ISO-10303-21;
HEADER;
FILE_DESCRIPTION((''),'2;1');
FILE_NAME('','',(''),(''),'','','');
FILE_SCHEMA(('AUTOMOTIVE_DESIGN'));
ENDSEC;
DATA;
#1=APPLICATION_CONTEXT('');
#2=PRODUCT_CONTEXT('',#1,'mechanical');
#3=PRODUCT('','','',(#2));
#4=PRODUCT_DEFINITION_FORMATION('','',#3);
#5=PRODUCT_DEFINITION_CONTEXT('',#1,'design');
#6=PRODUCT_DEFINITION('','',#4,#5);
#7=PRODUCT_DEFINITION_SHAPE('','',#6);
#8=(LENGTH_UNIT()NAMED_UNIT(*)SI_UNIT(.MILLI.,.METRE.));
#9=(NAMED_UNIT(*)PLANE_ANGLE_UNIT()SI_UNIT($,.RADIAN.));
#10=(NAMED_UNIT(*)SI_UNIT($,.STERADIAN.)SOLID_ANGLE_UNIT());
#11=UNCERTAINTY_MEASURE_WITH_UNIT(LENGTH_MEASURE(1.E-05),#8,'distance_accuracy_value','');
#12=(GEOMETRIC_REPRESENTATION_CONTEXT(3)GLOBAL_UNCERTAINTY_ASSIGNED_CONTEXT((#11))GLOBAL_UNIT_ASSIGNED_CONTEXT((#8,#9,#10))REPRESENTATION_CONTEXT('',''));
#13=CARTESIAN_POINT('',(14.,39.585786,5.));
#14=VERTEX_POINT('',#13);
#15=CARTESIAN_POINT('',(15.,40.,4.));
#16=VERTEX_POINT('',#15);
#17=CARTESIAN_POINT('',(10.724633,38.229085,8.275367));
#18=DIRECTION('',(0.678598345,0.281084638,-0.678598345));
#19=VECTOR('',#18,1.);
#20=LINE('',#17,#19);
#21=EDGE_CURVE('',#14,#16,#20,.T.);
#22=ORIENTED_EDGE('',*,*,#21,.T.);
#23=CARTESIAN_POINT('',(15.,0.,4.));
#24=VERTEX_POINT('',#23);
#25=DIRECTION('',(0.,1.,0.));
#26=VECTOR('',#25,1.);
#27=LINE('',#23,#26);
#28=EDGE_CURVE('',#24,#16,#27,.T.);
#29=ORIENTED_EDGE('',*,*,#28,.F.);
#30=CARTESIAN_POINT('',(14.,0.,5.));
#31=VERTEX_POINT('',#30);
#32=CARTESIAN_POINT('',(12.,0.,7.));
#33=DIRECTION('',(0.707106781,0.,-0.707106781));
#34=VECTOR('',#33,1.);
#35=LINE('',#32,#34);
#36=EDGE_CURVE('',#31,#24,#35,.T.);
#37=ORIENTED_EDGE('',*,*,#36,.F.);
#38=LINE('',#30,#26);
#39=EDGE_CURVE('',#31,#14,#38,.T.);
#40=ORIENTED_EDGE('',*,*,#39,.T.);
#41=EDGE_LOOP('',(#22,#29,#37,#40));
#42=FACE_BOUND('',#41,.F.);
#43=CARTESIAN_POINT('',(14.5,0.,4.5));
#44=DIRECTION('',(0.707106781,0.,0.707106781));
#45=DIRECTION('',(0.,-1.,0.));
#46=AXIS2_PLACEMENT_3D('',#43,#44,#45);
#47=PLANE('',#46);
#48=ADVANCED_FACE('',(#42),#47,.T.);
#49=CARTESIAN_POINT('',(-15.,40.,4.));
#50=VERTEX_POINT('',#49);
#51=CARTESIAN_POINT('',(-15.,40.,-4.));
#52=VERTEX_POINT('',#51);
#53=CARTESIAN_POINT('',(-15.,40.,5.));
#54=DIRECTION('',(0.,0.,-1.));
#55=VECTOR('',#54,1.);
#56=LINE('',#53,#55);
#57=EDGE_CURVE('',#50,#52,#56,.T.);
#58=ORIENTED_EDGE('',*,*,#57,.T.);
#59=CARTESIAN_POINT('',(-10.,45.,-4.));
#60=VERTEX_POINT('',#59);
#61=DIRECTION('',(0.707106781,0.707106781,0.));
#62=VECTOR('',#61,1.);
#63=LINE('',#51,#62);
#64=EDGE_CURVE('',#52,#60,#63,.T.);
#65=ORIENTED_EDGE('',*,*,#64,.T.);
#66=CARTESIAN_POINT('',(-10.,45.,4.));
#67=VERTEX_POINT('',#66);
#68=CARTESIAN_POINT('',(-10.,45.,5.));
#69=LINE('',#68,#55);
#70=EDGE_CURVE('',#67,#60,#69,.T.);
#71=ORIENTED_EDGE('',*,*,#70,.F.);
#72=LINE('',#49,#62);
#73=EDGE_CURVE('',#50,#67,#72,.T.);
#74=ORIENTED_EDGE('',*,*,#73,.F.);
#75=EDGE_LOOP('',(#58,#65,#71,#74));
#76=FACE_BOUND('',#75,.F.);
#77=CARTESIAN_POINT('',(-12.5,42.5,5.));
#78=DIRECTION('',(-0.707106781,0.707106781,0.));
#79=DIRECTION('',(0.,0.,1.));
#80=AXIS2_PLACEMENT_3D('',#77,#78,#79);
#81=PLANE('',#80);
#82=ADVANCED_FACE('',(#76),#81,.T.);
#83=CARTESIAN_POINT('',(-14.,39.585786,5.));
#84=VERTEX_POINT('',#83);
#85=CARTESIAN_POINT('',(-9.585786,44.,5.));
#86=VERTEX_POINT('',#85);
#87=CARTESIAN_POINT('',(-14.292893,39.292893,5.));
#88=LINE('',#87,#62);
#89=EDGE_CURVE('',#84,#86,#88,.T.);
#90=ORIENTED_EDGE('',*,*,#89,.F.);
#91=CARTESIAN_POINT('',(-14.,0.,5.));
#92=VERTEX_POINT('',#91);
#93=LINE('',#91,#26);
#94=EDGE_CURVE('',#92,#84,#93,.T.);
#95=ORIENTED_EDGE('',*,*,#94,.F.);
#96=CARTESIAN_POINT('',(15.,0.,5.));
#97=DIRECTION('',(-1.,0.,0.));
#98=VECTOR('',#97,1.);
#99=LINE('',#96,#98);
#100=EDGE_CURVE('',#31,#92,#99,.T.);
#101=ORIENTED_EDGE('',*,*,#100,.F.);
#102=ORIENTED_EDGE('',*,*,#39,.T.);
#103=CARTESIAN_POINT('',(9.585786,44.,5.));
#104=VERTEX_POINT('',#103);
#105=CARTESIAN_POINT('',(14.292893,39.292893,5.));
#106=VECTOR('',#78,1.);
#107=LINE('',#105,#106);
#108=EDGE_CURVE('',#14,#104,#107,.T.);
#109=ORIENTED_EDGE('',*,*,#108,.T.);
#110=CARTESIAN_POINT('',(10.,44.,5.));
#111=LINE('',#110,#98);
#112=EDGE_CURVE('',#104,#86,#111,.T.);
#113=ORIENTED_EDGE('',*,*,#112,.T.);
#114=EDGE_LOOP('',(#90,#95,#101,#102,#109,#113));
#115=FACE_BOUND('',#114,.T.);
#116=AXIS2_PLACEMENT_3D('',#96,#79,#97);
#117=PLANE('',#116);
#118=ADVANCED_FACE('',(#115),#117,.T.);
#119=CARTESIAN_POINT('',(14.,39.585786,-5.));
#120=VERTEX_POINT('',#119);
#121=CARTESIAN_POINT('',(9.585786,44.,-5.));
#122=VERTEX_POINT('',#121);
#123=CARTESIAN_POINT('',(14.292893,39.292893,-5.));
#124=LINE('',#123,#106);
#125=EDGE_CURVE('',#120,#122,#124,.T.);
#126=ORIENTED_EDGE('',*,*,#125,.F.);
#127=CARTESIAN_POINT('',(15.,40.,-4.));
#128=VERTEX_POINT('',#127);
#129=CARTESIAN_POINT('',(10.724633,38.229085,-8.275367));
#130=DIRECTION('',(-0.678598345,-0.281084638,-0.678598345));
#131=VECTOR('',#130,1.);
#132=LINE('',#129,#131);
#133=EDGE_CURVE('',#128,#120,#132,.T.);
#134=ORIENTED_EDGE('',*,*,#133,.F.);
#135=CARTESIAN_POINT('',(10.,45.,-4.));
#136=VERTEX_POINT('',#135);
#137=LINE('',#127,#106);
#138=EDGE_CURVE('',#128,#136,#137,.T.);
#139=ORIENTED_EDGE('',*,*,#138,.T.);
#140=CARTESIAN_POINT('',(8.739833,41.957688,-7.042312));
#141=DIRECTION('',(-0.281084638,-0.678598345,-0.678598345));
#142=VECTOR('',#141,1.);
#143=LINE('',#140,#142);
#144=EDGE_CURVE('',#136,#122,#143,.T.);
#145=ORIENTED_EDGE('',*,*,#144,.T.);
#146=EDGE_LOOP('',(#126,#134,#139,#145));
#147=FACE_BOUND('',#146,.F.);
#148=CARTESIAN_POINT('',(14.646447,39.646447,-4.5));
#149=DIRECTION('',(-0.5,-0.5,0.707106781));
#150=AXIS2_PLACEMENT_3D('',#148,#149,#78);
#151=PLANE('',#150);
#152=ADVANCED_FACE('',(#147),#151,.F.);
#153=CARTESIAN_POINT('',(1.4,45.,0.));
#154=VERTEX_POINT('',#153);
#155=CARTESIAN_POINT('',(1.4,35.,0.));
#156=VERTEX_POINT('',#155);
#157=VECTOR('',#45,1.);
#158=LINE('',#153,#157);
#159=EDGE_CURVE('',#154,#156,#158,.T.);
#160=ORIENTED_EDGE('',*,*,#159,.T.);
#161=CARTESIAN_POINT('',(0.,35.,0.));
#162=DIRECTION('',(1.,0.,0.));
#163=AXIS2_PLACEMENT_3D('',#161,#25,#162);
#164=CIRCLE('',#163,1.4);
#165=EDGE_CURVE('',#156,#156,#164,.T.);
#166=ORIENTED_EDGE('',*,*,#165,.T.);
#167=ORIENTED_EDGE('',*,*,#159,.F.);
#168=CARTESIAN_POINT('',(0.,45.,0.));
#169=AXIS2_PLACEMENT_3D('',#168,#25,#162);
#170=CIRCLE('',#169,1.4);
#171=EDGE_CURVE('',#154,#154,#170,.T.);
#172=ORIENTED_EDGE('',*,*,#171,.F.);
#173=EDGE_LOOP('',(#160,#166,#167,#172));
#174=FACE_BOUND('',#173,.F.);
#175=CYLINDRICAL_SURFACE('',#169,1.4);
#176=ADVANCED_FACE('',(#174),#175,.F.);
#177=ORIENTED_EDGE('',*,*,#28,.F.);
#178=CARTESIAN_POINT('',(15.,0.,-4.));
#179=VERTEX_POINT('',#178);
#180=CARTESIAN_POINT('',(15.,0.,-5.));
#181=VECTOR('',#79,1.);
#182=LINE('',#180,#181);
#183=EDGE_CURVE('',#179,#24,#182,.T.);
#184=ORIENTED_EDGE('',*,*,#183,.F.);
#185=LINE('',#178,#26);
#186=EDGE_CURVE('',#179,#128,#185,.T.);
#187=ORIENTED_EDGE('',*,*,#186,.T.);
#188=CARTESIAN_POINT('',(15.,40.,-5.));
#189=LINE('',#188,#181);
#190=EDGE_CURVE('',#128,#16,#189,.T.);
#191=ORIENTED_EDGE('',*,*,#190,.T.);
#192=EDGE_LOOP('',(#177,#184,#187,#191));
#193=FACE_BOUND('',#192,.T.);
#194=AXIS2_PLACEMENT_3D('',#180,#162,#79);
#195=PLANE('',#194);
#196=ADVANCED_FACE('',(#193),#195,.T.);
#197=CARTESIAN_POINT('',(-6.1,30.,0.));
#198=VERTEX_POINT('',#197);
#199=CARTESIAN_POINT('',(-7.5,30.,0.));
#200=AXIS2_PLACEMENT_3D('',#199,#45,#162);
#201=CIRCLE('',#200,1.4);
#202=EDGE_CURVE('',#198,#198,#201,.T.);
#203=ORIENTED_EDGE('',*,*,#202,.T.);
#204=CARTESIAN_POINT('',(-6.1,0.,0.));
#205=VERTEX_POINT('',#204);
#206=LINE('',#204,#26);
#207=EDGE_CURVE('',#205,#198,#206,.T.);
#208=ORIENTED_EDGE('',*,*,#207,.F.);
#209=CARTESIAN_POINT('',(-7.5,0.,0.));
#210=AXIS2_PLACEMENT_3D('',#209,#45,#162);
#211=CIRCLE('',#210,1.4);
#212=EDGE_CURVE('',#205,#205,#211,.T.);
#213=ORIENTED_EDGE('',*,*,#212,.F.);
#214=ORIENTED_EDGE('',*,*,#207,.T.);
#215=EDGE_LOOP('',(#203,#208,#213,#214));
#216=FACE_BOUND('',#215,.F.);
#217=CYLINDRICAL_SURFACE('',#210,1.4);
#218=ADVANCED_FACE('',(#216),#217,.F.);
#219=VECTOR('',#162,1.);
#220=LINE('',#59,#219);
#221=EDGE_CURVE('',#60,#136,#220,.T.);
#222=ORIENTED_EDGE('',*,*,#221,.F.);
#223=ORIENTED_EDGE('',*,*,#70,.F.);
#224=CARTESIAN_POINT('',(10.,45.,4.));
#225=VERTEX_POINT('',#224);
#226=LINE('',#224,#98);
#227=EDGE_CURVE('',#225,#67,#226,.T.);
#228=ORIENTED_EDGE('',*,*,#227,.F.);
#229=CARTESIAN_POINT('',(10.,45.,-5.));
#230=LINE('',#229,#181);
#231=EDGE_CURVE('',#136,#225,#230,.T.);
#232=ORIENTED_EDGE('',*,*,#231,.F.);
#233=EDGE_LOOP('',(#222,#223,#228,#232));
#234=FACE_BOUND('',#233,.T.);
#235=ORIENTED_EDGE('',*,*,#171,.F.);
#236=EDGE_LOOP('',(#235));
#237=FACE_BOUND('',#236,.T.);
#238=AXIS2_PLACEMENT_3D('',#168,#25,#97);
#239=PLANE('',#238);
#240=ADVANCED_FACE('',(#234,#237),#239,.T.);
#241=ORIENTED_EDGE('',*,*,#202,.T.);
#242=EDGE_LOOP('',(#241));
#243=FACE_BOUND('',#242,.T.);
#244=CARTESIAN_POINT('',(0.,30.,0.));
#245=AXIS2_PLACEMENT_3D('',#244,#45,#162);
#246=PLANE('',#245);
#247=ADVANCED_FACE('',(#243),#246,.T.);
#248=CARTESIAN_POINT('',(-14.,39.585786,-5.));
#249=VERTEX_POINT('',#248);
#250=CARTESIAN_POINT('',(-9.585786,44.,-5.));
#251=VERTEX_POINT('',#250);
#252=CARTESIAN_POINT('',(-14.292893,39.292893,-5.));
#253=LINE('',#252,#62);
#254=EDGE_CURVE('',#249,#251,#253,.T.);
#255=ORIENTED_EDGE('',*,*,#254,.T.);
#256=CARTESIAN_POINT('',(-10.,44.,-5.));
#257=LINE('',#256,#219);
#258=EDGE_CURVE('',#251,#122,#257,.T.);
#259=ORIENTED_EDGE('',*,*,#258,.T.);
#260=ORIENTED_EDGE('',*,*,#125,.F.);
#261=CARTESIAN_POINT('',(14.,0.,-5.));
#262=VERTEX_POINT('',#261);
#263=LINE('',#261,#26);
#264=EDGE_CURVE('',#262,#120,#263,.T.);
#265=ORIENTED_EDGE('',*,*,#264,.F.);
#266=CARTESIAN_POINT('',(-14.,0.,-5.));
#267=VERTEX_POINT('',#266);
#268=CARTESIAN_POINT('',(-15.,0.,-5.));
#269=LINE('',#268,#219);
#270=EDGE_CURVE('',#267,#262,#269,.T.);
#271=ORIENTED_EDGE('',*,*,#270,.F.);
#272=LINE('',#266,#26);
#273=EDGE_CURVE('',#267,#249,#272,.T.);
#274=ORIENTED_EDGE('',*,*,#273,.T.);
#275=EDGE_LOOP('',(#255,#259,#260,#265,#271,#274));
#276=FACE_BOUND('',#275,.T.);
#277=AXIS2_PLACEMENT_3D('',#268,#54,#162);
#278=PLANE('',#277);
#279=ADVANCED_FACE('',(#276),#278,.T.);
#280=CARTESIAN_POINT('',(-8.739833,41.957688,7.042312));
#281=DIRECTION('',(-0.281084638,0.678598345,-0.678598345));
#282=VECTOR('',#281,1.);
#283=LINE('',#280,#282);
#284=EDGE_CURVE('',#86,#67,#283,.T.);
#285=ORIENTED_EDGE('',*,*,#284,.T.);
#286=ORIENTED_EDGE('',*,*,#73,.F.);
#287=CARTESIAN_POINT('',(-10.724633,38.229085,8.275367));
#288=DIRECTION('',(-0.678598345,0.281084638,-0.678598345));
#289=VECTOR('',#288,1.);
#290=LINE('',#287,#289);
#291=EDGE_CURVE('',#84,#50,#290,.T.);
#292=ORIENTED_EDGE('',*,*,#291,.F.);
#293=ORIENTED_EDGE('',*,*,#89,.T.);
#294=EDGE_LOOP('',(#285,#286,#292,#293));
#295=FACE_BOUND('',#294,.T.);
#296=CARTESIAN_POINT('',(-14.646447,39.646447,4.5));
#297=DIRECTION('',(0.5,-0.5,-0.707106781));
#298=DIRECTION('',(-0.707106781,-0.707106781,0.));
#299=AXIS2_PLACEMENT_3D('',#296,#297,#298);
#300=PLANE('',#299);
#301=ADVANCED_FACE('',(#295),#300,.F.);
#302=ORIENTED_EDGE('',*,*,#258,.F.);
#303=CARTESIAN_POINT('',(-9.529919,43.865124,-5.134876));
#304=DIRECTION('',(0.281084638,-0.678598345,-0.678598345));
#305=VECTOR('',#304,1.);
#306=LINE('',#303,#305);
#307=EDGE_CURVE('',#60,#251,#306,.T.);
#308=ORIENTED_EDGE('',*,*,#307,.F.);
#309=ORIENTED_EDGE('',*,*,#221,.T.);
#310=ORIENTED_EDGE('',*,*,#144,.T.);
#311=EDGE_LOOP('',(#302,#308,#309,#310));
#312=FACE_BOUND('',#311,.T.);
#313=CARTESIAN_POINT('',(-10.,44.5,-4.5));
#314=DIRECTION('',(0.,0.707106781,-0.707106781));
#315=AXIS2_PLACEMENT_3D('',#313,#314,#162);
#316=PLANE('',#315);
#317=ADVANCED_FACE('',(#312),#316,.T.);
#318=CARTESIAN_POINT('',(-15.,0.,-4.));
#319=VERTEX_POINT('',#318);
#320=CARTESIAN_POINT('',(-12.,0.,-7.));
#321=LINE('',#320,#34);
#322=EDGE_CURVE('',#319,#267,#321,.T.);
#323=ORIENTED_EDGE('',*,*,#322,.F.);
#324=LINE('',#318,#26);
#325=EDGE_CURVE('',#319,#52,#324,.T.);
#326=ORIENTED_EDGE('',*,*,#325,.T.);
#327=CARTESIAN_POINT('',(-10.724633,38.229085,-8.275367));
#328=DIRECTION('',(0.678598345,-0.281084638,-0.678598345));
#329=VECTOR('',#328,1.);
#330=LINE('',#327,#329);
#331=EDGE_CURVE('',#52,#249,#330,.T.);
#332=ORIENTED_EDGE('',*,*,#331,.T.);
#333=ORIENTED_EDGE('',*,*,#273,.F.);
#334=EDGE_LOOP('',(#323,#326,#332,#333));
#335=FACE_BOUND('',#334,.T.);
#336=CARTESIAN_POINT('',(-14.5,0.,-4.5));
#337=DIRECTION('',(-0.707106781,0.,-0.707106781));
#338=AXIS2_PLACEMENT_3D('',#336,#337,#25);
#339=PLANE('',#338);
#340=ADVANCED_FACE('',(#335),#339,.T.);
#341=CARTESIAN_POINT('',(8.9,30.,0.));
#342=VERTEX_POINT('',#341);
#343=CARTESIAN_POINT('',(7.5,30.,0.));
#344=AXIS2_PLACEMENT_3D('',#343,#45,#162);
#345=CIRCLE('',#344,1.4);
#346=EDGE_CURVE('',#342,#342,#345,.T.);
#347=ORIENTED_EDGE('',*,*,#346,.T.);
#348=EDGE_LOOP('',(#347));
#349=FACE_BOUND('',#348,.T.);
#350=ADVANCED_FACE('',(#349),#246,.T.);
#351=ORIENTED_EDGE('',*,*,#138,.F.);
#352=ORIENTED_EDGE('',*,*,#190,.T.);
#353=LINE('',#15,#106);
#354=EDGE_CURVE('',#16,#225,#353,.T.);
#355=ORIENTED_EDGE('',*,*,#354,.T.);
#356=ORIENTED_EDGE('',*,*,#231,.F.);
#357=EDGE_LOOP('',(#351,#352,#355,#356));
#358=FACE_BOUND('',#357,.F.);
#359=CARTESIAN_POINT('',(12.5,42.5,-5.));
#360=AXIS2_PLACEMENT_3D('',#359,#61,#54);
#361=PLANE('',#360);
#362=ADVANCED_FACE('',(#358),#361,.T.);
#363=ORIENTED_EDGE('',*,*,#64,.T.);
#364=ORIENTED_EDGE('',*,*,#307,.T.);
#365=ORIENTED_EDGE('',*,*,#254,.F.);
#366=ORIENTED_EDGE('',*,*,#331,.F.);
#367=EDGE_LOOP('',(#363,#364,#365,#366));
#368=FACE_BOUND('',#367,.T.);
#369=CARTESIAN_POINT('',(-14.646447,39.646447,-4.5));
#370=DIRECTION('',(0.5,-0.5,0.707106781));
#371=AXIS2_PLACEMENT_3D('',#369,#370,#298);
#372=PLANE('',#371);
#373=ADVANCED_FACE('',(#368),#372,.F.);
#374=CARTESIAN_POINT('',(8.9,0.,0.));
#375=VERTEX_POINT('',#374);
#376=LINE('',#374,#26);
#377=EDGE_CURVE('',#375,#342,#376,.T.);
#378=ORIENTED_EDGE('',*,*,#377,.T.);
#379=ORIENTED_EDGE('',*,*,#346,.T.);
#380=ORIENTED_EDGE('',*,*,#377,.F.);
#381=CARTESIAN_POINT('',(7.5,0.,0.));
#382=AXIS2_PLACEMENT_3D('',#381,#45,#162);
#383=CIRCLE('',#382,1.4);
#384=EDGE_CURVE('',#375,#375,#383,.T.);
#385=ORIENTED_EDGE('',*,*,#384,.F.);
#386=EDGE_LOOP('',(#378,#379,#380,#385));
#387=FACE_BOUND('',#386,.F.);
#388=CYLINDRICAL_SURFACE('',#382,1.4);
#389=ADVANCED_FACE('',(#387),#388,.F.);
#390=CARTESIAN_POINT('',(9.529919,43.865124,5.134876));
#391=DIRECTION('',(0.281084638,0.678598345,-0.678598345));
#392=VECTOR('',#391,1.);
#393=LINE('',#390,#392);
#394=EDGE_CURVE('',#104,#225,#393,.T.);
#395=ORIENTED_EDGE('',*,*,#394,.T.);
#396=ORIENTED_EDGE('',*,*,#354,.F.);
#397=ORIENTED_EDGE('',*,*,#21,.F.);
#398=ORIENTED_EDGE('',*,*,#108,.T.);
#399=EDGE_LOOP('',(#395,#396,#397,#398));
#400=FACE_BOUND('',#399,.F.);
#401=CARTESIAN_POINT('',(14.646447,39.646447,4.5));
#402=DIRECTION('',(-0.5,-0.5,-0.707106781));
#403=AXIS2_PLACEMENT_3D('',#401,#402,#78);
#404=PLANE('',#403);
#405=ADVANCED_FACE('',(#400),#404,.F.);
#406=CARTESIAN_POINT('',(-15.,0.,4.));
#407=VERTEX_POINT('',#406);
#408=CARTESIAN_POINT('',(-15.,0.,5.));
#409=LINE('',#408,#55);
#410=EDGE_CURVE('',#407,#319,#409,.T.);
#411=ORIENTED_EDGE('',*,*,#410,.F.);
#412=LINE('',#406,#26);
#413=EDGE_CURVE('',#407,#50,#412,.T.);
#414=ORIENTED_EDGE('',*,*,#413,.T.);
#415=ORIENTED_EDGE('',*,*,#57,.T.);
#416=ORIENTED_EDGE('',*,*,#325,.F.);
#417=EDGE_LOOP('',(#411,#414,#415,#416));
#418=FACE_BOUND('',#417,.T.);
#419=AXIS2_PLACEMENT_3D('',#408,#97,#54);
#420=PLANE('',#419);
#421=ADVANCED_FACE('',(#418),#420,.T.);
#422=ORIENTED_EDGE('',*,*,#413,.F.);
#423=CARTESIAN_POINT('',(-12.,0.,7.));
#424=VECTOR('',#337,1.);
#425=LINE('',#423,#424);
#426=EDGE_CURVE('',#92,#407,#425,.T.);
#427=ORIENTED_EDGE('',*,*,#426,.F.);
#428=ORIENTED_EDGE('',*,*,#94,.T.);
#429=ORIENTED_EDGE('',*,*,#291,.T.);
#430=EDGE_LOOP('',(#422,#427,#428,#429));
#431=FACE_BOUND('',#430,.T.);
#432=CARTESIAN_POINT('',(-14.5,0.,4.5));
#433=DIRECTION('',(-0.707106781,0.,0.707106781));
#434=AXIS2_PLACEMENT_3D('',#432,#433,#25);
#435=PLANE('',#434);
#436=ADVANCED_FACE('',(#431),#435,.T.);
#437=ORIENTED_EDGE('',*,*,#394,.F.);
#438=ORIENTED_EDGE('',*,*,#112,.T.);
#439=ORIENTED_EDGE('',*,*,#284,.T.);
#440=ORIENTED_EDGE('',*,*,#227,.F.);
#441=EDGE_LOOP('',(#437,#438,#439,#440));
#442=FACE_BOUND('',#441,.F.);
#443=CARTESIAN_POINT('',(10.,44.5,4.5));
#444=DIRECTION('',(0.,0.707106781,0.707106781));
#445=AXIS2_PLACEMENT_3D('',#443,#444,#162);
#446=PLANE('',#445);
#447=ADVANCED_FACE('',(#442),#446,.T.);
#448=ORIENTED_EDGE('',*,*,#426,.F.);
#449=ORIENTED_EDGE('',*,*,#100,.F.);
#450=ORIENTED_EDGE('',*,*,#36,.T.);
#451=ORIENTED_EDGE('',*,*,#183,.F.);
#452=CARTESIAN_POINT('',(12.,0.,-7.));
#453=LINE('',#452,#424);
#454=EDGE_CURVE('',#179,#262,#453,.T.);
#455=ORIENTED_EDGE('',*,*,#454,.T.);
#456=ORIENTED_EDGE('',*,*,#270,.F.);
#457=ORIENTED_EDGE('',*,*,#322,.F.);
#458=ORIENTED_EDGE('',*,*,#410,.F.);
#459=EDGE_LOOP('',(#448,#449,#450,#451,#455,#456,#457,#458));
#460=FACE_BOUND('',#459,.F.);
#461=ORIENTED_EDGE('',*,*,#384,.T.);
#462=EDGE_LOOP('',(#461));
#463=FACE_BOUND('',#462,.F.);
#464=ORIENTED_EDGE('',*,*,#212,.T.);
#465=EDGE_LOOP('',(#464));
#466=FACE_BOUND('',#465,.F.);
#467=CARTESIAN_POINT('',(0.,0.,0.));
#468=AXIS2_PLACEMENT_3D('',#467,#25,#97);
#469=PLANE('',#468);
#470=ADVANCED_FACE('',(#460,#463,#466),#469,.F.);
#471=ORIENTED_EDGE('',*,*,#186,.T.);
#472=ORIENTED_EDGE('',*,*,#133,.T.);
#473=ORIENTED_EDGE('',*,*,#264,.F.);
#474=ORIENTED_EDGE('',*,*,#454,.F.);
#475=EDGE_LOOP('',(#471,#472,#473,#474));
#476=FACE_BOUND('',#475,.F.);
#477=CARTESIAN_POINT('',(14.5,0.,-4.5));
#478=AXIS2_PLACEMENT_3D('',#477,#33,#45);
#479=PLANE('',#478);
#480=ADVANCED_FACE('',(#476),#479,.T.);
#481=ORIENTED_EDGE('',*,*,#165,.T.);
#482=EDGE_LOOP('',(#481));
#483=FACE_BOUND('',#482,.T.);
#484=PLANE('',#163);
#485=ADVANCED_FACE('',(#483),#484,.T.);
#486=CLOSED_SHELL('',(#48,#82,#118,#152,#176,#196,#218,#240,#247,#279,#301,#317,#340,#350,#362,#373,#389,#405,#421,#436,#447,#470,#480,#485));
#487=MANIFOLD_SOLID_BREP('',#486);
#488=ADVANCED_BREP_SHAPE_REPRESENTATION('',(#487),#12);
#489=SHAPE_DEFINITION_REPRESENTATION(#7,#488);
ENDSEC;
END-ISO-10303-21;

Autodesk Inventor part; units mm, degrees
ref_plane "YZ Plane" through (0, 0, 0) normal (1, 0, 0) x (0, 1, 0)
ref_plane "XZ Plane" through (0, 0, 0) normal (0, 1, 0) x (-1, 0, 0)
ref_plane "XY Plane" through (0, 0, 0) normal (0, 0, 1) x (1, 0, 0)
sketch "Sketch1" plane through (0, 0, 0) normal (0, 1, 0) x (-1, 0, 0)
  line L0 (-15, 5) -> (15, 5)
  line L1 (15, 5) -> (15, -5)
  line L2 (15, -5) -> (-15, -5)
  line L3 (-15, -5) -> (-15, 5)
  dimension "d0" = 30
  dimension "d1" = 10
extrude "Extrusion1" add sketch "Sketch1" along normal blind 45
sketch "Sketch2" plane through (0, 0, 0) normal (0, -1, 0) x (1, 0, 0)
  circle A0 centre (7.5, 0) radius 1.4
  circle A1 centre (-7.5, 0) radius 1.4
  point P0 (0, 0)
  dimension "d11" = 2.8
  dimension "d12" = 2.8
extrude "Extrusion2" cut sketch "Sketch2" against normal blind 30
sketch "Sketch4" plane through (0, 45, 0) normal (0, 1, 0) x (1, 0, 0)
  circle A0 centre (0, 0) radius 1.4
  dimension "d15" = 2.8
extrude "Extrusion3" cut sketch "Sketch4" against normal blind 10
chamfer "Chamfer1" distance 5 angle 45 2 edges at (15, 45, 0) (-15, 45, 0)
chamfer "Chamfer2" distance 1 angle 45 10 edges at (15, 20, -5) (12.5, 42.5, -5) (0, 45, -5) (-12.5, 42.5, -5) (-15, 20, -5) (-15, 20, 5) (-12.5, 42.5, 5) (0, 45, 5) (12.5, 42.5, 5) (15, 20, 5)
properties part number "Side Suppor" material "ABS Plastic"
